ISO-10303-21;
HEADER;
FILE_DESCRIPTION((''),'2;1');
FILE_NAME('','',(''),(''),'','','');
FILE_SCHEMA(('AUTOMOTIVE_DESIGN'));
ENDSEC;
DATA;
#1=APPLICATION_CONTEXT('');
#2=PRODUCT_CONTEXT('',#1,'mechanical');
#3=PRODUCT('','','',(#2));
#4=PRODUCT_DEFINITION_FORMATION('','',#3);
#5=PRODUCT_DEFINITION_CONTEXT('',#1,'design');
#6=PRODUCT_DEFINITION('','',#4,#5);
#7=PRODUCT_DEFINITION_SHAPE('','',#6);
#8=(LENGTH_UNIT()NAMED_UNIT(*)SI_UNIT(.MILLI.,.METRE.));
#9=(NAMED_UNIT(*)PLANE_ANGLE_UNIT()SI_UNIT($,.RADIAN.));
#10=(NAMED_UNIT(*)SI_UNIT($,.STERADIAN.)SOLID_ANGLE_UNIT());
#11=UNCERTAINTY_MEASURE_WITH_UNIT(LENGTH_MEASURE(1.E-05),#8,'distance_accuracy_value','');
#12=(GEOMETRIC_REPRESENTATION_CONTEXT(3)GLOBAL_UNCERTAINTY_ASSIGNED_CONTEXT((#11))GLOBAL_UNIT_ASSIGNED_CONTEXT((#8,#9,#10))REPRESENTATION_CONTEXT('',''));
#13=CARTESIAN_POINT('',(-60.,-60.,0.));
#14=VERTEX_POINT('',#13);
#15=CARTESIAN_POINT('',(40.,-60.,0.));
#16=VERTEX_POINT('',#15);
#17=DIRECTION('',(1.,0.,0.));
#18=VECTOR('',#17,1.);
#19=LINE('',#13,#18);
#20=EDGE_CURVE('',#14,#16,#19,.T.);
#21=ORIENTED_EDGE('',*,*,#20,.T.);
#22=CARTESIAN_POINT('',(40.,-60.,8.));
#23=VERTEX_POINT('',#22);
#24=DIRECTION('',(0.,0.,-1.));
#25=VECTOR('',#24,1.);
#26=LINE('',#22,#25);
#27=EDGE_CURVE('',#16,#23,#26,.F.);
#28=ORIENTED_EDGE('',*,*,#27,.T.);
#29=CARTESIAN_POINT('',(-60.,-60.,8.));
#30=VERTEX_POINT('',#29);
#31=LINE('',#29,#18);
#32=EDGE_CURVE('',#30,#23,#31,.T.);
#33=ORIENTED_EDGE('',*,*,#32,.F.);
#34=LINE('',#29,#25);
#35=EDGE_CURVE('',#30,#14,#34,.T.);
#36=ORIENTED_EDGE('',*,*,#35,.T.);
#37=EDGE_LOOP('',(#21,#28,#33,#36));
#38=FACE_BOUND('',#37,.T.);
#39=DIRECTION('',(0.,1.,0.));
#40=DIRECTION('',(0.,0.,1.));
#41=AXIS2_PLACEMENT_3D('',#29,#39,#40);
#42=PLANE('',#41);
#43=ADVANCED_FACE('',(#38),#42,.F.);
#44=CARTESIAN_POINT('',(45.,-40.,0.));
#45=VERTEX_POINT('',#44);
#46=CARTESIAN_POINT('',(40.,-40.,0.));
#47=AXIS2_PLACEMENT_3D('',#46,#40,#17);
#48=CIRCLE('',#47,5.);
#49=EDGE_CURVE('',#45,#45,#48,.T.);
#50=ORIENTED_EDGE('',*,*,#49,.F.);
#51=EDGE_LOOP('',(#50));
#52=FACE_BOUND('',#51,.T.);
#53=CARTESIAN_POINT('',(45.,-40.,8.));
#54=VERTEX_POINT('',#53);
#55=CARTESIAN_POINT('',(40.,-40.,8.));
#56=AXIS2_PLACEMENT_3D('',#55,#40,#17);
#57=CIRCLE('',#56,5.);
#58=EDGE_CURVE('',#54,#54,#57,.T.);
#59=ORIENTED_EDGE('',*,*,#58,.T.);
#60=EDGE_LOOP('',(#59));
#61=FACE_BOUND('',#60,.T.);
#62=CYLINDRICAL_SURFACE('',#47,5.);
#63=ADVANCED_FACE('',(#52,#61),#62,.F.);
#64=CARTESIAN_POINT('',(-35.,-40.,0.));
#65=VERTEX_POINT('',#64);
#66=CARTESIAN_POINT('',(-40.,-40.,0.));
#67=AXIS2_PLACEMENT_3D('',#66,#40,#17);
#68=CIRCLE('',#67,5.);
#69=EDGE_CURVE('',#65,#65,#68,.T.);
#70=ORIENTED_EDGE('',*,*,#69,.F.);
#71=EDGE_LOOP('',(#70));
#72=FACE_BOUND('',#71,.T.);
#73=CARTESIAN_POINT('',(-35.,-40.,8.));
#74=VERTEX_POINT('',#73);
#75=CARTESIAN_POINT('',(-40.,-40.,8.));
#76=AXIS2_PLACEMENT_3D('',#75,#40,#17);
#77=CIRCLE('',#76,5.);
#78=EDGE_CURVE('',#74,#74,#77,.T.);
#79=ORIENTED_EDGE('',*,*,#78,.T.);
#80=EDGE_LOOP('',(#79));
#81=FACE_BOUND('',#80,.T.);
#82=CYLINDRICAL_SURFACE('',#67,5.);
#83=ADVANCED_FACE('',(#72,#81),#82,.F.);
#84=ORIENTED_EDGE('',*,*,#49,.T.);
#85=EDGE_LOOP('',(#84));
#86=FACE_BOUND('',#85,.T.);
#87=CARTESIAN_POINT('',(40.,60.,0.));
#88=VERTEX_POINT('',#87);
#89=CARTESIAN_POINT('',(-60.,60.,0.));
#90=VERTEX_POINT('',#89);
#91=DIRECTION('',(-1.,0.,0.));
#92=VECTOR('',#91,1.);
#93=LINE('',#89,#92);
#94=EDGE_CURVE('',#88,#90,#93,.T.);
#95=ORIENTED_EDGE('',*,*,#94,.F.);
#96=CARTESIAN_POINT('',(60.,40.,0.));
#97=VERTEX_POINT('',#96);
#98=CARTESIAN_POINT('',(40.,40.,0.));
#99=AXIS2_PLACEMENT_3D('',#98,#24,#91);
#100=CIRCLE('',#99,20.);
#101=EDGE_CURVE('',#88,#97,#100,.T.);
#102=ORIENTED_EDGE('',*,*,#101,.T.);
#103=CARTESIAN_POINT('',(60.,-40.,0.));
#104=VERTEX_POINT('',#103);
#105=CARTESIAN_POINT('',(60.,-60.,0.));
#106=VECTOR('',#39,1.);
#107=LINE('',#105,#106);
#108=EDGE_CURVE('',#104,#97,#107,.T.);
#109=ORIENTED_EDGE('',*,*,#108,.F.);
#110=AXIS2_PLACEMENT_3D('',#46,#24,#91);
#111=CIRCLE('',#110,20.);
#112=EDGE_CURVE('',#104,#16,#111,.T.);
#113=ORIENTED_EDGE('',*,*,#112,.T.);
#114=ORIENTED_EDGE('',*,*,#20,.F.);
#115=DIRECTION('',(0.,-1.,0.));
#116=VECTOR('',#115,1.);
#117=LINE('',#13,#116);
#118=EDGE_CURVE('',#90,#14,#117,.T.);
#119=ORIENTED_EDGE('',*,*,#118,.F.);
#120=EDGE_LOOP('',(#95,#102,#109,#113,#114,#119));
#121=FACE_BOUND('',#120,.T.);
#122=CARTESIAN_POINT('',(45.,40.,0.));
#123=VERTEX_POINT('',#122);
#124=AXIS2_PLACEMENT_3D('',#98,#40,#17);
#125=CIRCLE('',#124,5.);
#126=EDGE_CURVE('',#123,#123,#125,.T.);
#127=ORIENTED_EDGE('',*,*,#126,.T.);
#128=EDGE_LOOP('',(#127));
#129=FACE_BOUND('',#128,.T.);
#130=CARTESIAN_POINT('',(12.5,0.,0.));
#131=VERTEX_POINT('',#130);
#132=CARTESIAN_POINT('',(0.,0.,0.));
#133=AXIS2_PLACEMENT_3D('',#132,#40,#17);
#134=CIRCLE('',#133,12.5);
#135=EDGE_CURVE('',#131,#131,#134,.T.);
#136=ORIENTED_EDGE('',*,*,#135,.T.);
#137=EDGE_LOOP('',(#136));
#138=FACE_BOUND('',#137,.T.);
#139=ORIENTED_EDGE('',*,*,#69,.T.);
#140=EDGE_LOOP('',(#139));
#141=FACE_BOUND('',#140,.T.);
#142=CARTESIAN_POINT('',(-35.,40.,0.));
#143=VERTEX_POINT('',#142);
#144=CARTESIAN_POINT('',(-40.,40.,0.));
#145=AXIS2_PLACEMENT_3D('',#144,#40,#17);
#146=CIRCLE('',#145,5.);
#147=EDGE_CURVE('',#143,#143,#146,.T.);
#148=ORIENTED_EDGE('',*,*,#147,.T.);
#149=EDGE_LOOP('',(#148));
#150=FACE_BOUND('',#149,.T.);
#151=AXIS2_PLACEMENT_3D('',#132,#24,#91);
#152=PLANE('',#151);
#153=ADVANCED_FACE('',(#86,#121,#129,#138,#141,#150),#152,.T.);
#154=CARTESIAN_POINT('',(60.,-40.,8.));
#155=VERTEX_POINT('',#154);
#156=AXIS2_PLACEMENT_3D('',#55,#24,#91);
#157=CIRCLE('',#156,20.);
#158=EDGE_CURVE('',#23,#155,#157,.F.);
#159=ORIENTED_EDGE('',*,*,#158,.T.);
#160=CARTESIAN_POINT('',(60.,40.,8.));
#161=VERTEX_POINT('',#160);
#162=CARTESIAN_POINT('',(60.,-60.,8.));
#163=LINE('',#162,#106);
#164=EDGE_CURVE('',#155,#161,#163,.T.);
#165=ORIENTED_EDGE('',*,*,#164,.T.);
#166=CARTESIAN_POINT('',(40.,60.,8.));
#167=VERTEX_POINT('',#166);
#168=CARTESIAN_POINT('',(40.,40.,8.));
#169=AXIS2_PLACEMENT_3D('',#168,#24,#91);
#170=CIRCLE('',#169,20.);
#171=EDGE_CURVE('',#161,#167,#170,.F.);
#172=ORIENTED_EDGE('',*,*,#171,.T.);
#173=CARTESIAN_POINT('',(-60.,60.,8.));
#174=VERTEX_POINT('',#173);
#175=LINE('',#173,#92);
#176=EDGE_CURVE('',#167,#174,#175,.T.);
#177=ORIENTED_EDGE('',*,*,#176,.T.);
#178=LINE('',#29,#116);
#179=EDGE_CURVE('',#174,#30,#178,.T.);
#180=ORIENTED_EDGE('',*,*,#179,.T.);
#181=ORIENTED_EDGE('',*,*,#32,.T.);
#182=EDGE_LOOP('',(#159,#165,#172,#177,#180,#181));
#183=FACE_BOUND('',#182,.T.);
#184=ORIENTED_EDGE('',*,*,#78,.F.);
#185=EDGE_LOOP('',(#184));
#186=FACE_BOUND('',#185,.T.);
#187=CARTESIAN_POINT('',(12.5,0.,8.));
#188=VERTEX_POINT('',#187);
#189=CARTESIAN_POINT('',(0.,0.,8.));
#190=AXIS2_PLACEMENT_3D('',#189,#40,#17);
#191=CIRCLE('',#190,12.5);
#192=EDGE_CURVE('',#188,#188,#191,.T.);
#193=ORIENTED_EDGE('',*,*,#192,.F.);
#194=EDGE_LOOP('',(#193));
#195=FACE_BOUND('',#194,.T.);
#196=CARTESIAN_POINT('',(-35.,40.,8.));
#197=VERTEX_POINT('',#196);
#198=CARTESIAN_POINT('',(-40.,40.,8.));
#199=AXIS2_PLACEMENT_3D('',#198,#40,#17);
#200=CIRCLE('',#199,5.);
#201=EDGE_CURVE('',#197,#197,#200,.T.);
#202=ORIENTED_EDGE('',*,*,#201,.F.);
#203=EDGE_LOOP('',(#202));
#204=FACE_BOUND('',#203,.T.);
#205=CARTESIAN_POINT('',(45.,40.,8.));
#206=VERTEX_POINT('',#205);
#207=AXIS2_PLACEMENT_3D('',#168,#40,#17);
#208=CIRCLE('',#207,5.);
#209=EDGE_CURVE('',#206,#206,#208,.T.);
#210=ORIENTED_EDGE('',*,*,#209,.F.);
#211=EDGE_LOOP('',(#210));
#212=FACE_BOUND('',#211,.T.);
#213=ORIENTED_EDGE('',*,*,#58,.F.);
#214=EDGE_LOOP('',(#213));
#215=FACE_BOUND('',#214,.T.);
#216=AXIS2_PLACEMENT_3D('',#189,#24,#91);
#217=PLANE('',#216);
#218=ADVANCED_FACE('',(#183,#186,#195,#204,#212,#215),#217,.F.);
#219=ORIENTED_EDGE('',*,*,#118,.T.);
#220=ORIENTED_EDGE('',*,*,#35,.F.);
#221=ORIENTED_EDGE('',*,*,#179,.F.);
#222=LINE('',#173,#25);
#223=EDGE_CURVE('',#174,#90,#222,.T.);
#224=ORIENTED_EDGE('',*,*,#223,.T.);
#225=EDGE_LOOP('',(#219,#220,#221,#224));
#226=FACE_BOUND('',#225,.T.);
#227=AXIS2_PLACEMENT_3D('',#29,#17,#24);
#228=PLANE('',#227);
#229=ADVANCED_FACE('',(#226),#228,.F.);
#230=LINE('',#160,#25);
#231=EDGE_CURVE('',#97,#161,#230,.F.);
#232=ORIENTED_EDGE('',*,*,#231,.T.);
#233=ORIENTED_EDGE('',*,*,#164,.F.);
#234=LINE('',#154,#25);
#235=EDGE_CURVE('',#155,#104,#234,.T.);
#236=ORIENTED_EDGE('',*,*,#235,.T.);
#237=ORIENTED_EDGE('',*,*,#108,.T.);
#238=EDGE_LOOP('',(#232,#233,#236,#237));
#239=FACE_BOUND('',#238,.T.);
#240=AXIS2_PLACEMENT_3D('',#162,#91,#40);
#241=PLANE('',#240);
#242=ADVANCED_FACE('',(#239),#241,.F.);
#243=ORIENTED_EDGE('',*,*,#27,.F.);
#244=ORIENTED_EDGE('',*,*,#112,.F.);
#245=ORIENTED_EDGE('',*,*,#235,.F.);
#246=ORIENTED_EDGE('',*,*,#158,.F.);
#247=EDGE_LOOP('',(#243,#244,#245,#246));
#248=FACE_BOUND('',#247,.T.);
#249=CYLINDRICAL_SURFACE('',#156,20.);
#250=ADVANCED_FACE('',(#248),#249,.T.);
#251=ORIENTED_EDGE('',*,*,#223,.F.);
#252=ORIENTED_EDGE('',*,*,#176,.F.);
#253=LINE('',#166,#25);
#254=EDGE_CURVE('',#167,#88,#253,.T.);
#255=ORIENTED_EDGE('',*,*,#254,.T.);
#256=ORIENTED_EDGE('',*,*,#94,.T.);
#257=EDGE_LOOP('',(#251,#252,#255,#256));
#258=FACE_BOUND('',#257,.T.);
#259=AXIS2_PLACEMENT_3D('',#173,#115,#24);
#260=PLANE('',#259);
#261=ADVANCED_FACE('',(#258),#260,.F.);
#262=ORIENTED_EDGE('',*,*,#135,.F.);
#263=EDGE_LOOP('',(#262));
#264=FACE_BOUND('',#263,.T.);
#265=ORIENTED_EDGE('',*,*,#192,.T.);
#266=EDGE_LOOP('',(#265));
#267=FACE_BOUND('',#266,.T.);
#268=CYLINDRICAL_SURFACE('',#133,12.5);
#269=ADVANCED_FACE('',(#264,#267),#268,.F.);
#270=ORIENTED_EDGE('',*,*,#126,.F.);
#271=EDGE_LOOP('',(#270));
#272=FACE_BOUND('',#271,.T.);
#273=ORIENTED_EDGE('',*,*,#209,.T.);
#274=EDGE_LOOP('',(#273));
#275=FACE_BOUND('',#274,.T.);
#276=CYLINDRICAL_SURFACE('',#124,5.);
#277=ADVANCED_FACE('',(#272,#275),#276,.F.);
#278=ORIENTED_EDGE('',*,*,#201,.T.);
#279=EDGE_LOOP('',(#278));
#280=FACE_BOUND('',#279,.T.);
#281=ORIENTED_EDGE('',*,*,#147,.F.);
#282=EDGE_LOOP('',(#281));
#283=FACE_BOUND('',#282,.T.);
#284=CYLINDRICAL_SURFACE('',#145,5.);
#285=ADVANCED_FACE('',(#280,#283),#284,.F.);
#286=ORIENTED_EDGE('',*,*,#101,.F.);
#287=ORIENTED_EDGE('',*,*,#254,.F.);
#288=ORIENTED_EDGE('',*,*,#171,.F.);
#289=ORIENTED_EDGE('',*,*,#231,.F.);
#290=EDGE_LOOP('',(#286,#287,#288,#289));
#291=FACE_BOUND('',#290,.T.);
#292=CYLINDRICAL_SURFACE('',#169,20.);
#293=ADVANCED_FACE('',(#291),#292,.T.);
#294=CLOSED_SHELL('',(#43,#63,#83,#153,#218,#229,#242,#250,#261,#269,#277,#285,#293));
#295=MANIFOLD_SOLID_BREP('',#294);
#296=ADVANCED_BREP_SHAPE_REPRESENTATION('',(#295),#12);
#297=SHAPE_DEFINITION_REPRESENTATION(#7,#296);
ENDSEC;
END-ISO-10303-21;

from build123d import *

# Parameters (mm, degrees)
SKETCH2_W            = 120
SKETCH2_H            = 120
BOSS_EXTRUDE1_DEPTH  = 8
SKETCH4_R            = 12.5
CUT_EXTRUDE1_DEPTH   = 86.229103011
SKETCH6_R            = 5
CUT_EXTRUDE2_DEPTH   = 86.229103011
LPATTERN1_COUNT      = 2
LPATTERN1_PITCH      = 80
LPATTERN1_COUNT_DIR2 = 2
LPATTERN1_PITCH_DIR2 = 80
FILLET2_R            = 20


with BuildPart() as part:
    # Sketch2 → Boss-Extrude1 (new body)
    with BuildSketch(Plane.XY):
        Rectangle(SKETCH2_W, SKETCH2_H)
    extrude(amount=BOSS_EXTRUDE1_DEPTH)

    # Sketch4 → Cut-Extrude1 (cut, through all)
    with BuildSketch(Plane.XY.offset(8)):
        Circle(SKETCH4_R)
    extrude(amount=-CUT_EXTRUDE1_DEPTH, mode=Mode.SUBTRACT)

    # Sketch6 → Cut-Extrude2 (cut, through all)
    with BuildSketch(Plane.XY.offset(8)):
        with Locations((-40, 40)):
            Circle(SKETCH6_R)
    cut_extrude2 = extrude(amount=-CUT_EXTRUDE2_DEPTH, mode=Mode.SUBTRACT)

    # LPattern1: Cut-Extrude2 2 × 2
    with Locations(*[(i * LPATTERN1_PITCH, -j * LPATTERN1_PITCH_DIR2, 0) for i in range(LPATTERN1_COUNT) for j in range(LPATTERN1_COUNT_DIR2) if (i, j) != (0, 0)]):
        add(cut_extrude2, mode=Mode.SUBTRACT)

    # Fillet2
    fillet2_edges = [part.edges().sort_by_distance(p)[0] for p in [
        (60, -60, 4),
        (60, 60, 4),
    ]]
    fillet(fillet2_edges, radius=FILLET2_R)


solid = part.part
